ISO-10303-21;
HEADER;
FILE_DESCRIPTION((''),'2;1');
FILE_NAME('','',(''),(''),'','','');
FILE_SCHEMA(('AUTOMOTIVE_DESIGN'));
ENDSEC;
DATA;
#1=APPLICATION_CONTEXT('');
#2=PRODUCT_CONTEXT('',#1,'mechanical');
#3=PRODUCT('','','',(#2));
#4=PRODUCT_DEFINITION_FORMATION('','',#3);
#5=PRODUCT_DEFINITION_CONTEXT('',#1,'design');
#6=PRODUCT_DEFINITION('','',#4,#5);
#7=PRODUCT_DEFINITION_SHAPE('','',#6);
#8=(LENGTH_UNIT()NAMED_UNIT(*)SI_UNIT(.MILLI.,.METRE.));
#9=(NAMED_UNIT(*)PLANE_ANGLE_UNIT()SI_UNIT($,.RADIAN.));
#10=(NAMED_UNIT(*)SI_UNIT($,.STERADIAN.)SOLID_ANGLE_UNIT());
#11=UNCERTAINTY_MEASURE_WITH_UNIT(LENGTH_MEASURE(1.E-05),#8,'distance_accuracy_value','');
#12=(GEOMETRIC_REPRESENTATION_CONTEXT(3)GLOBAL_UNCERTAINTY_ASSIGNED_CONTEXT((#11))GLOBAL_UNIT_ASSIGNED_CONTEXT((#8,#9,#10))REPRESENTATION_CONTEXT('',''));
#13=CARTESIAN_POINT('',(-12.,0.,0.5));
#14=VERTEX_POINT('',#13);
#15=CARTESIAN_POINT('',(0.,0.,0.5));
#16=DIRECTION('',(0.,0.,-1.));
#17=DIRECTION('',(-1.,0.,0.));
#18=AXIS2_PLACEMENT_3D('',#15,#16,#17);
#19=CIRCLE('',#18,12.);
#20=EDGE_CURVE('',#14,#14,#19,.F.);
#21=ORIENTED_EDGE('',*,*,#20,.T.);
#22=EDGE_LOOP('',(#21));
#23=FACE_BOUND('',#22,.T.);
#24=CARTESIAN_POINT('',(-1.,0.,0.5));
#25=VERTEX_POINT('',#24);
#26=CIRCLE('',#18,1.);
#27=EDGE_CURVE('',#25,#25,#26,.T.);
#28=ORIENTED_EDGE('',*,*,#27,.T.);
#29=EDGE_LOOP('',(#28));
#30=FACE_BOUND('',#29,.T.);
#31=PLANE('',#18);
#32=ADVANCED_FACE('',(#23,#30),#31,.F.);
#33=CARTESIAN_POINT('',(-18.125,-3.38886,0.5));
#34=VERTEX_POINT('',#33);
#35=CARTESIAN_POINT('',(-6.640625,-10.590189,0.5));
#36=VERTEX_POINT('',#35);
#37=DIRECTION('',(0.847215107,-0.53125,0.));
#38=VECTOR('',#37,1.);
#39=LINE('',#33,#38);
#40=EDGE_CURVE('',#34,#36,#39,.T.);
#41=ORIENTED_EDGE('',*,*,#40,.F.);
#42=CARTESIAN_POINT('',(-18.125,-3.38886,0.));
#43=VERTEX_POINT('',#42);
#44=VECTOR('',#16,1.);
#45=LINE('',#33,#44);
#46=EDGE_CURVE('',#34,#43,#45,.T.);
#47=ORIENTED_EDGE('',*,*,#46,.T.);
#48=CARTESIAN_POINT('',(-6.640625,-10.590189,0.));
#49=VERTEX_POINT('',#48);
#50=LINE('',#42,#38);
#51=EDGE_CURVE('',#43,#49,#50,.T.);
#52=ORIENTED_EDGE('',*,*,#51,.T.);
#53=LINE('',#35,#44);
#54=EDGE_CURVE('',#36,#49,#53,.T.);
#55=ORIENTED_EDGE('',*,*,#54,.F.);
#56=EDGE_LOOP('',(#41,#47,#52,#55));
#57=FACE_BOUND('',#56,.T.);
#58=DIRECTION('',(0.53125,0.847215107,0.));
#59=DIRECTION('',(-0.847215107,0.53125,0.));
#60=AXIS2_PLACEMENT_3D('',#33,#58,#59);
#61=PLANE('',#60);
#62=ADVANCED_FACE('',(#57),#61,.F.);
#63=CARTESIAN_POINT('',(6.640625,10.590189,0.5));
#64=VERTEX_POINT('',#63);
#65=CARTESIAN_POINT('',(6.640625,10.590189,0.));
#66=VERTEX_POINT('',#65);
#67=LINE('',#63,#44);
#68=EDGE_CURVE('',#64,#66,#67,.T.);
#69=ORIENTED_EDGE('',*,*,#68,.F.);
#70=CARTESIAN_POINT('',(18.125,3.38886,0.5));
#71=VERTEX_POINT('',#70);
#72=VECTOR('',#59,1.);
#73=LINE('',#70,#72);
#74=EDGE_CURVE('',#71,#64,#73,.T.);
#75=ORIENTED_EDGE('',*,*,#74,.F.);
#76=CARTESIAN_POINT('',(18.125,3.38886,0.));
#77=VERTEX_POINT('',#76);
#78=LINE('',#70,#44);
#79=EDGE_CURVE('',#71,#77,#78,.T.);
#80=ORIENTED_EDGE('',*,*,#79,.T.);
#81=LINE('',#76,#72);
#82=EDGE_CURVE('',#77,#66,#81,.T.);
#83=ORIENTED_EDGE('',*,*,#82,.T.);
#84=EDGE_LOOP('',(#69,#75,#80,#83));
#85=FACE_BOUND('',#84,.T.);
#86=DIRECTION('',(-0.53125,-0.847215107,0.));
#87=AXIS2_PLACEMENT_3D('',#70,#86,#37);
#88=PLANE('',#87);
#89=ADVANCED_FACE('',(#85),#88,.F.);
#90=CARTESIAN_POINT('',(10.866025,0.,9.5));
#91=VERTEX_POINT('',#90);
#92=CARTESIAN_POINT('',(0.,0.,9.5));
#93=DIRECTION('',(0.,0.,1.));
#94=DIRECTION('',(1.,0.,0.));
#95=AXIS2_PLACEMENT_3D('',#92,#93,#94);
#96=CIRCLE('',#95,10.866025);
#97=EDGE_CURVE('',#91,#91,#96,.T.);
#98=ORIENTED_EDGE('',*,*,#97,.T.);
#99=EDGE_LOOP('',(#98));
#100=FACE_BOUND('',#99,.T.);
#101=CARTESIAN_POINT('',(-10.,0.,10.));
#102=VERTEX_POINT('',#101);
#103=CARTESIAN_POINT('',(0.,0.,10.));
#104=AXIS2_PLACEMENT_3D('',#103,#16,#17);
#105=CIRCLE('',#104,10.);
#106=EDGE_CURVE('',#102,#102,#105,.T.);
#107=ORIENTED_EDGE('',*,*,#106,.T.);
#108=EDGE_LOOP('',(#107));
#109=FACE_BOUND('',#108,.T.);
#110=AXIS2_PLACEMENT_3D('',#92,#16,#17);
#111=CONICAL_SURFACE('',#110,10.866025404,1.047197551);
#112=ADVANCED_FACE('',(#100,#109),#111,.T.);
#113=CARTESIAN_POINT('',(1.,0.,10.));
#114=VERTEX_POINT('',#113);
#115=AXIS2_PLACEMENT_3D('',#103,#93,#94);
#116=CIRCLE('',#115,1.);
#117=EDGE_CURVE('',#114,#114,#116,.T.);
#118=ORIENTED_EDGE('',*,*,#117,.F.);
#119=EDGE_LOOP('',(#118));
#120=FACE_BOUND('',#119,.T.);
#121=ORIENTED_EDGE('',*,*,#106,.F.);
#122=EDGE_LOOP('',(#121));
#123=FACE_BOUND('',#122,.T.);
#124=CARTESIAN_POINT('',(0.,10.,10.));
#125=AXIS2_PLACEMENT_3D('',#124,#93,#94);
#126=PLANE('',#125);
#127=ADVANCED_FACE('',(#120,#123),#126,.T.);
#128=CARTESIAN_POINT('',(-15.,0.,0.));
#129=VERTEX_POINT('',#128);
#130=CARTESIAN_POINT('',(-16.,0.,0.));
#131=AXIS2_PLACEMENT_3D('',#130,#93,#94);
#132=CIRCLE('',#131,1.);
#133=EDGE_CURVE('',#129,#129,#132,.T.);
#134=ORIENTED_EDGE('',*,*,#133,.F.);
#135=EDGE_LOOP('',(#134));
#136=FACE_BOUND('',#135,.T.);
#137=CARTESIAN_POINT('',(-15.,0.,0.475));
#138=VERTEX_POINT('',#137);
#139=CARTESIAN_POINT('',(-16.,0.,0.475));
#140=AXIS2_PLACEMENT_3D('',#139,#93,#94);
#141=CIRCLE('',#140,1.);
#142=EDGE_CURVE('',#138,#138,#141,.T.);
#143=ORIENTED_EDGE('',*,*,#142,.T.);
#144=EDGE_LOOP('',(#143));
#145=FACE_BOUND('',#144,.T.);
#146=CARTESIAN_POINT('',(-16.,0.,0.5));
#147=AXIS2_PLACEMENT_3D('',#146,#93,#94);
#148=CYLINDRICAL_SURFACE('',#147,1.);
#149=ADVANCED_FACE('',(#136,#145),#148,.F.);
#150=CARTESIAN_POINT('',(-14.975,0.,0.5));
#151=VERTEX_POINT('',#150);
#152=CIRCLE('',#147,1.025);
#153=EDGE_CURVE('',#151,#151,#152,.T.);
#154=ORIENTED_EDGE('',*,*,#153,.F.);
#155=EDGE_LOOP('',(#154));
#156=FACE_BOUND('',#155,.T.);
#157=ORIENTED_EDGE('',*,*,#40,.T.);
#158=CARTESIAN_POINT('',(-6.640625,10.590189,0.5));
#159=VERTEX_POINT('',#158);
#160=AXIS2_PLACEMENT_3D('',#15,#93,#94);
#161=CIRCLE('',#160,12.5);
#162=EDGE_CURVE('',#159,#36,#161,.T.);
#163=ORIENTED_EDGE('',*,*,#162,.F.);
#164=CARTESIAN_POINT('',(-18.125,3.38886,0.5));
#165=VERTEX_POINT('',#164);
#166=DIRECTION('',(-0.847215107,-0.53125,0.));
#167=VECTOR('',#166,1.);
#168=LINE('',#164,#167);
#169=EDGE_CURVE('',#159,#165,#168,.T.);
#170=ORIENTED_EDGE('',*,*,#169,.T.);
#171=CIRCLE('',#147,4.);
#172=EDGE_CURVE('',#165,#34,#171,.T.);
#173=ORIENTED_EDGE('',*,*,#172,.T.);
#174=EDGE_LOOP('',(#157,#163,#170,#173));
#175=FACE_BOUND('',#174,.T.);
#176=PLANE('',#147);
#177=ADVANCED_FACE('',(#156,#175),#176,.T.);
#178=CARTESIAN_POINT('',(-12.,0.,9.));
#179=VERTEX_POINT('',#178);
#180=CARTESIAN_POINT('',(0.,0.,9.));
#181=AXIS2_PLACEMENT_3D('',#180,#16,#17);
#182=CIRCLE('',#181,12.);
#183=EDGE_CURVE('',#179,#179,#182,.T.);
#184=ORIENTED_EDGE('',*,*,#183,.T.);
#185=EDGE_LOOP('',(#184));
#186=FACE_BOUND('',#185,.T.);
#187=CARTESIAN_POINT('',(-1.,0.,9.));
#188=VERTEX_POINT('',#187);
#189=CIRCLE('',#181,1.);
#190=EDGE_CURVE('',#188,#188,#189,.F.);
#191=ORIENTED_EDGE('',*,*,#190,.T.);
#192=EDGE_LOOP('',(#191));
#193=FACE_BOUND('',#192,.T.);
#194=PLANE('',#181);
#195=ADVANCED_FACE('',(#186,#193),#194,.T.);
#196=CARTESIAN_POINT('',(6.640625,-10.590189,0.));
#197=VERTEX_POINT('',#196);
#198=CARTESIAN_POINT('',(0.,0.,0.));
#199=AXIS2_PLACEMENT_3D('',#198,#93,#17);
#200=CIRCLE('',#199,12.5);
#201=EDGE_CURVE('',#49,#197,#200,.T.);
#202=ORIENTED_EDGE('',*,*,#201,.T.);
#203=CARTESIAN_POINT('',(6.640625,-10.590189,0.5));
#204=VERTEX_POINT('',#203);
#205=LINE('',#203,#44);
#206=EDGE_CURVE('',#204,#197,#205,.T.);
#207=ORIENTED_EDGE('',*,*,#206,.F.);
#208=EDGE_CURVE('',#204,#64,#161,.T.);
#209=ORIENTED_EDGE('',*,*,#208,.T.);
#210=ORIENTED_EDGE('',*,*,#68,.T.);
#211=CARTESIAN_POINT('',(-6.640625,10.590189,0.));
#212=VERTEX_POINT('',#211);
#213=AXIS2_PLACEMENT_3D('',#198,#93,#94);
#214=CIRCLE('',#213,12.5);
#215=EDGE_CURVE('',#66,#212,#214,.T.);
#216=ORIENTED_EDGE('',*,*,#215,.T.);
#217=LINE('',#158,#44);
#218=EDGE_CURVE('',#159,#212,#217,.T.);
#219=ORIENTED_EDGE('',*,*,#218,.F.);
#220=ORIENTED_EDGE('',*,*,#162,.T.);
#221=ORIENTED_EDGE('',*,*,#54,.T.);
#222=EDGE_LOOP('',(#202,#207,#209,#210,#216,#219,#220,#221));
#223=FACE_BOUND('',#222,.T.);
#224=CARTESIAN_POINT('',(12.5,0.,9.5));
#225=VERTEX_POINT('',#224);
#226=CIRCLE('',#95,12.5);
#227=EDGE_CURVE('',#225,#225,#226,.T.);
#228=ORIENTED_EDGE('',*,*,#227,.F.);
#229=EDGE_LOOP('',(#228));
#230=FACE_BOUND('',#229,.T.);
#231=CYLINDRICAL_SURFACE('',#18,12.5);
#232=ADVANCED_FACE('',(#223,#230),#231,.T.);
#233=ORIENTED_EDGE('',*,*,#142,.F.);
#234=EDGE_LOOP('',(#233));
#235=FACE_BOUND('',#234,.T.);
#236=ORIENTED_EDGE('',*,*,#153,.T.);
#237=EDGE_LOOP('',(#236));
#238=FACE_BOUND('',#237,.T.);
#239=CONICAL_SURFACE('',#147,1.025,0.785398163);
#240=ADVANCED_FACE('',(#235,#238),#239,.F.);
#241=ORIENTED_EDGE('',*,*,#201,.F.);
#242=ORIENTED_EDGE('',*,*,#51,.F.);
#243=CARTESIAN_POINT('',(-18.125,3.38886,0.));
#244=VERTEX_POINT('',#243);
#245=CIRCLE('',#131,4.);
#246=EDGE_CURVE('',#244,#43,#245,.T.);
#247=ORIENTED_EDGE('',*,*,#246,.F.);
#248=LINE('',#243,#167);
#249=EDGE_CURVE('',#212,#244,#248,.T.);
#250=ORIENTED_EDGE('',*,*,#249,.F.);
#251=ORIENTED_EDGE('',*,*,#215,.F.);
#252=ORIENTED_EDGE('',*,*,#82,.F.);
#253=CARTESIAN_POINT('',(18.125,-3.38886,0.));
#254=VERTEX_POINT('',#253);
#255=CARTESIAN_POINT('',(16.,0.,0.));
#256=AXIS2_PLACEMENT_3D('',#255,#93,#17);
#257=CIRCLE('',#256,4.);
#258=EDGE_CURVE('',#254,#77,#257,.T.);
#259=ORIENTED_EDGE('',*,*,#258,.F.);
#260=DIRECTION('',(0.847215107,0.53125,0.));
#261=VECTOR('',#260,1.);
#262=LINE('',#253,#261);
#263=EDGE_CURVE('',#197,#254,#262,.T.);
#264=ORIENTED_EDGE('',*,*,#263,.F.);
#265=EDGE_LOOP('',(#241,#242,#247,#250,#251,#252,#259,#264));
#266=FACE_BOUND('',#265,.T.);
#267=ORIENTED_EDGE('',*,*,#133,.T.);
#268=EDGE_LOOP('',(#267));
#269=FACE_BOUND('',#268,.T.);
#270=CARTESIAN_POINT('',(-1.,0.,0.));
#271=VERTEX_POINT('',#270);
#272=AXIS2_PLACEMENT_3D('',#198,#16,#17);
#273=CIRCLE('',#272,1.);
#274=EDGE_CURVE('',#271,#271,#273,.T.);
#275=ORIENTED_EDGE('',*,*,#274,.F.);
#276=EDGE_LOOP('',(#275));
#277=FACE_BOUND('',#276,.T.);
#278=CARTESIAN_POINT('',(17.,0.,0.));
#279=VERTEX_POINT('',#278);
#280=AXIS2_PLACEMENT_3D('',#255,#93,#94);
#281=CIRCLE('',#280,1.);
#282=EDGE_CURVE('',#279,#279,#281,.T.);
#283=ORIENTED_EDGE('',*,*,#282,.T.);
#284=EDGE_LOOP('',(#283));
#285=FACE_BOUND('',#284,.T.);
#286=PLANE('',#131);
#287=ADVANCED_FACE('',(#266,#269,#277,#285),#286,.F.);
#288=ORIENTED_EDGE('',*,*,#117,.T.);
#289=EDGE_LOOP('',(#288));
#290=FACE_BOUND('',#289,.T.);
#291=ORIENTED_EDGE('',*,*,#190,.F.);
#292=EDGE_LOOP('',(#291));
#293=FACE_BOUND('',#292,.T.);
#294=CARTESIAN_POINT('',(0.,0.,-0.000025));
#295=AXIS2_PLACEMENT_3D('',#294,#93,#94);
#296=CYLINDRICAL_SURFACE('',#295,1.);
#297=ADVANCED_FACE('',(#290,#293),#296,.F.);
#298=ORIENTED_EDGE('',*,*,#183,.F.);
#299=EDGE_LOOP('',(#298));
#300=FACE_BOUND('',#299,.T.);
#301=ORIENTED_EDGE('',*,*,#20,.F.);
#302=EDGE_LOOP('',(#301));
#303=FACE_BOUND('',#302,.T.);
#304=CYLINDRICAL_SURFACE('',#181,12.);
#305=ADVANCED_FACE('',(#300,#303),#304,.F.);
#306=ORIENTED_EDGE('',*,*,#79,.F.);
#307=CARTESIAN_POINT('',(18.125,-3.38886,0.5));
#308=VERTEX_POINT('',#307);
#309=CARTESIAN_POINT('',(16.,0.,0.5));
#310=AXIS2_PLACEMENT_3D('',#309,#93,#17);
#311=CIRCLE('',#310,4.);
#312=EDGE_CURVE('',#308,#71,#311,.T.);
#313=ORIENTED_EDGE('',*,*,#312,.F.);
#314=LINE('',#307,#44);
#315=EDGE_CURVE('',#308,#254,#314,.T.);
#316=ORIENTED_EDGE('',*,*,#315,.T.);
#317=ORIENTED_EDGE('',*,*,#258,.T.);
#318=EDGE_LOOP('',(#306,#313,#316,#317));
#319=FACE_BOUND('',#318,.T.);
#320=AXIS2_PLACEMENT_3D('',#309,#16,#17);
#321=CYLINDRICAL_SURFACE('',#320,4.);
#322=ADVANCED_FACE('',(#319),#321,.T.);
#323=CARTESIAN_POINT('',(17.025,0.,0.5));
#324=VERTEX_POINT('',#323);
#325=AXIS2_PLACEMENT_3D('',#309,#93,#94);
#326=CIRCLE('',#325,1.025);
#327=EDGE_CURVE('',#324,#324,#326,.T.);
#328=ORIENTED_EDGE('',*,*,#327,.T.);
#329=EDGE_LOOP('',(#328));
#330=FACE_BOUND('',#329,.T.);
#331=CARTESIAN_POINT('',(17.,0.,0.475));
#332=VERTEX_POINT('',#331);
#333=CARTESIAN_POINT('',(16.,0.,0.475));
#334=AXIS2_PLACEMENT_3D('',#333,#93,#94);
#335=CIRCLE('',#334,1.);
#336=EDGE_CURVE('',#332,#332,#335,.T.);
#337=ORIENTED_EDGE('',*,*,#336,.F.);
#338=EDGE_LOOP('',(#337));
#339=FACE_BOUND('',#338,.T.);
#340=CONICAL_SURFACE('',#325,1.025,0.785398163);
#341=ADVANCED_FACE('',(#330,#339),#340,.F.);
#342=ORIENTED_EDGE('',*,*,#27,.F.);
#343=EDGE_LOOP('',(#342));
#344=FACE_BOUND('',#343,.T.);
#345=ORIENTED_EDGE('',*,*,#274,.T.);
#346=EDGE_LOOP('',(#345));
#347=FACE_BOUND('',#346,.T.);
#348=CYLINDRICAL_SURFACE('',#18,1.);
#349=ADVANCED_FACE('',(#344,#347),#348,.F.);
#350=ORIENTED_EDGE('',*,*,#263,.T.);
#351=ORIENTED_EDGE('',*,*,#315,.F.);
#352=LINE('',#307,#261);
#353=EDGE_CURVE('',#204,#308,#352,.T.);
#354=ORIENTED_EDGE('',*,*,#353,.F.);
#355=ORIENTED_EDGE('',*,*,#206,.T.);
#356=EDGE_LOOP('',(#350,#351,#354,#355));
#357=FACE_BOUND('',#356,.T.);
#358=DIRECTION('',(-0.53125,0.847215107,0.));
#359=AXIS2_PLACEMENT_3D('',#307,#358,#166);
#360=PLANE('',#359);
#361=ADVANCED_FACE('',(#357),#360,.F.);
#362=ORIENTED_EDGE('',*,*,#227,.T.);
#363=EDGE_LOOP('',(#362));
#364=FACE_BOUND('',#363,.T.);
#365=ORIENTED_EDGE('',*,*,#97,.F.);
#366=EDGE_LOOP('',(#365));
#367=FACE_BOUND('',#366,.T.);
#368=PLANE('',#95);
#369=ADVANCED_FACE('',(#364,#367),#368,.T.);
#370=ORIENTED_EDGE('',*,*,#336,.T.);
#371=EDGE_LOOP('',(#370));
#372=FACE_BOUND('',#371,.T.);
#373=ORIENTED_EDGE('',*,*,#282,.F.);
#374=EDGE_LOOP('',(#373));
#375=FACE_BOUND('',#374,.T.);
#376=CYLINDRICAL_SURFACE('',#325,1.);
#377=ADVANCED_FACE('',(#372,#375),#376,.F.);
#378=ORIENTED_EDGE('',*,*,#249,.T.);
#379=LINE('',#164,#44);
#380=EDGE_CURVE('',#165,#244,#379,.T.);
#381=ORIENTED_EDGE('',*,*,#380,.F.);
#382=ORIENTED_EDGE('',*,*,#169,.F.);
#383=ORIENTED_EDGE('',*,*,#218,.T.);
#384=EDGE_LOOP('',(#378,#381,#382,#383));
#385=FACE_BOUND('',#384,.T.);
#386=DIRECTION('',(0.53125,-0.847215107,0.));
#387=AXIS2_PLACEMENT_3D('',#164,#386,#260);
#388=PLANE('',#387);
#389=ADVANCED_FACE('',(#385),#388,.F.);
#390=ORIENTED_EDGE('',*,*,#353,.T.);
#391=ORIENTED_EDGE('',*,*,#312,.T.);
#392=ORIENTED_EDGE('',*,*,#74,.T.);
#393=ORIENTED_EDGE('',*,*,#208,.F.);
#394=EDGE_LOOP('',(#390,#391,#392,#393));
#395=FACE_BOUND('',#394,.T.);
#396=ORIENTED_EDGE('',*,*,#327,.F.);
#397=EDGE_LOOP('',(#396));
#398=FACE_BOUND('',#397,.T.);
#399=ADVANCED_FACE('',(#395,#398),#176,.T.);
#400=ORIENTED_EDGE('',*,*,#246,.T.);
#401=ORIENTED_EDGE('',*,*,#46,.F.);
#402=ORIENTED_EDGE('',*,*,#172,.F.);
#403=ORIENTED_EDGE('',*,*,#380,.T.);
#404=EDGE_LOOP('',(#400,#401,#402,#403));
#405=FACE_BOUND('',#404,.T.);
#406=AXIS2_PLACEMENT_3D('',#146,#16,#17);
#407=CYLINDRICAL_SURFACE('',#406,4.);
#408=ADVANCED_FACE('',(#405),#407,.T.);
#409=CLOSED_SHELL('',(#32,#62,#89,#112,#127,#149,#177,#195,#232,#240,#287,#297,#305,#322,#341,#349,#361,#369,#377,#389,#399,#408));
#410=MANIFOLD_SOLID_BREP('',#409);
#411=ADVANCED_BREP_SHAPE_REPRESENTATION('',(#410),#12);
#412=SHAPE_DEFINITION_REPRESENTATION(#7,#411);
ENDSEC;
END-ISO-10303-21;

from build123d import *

# Parameters (mm, degrees)
BOSS_EXTRU_1_DEPTH         = 0.5
ESQUISSE2_R                = 12.5
BOSS_EXTRU_2_DEPTH         = 9
ESQUISSE4_R                = 1
ENL_V_MAT_EXTRU_1_DEPTH    = 26.617376915
TROU_TARAUD_M21_AT_2_COUNT = 2
TROU_TARAUD_M21_AT_2_PITCH = 32
ESQUISSE7_R                = 12
ENL_V_MAT_EXTRU_2_DEPTH    = 9
ESQUISSE8_R                = 12
ESQUISSE8_R_2              = 1
BOSS_EXTRU_3_DEPTH         = 0.5


with BuildPart() as part:
    # Esquisse1 → Boss.-Extru.1 (new body)
    with BuildSketch(Plane.XY):
        with BuildLine():
            Line((-18.125, 3.388860428), (-6.640625, 10.590188837))
            ThreePointArc((-6.640625, 10.590188837), (0, 12.5), (6.640625, 10.590188837))
            Line((6.640625, 10.590188837), (18.125, 3.388860428))
            ThreePointArc((18.125, 3.388860428), (20, 0), (18.125, -3.388860428))
            Line((18.125, -3.388860428), (6.640625, -10.590188837))
            ThreePointArc((6.640625, -10.590188837), (0, -12.5), (-6.640625, -10.590188837))
            Line((-6.640625, -10.590188837), (-18.125, -3.388860428))
            ThreePointArc((-18.125, -3.388860428), (-20, 0), (-18.125, 3.388860428))
        make_face()
    extrude(amount=BOSS_EXTRU_1_DEPTH)

    # Esquisse2 → Boss.-Extru.2 (add)
    with BuildSketch(Plane.XY.offset(0.5)):
        with Locations(Location((0, 0, 0), (0, 0, 122.089951256))):
            Circle(ESQUISSE2_R)
    extrude(amount=BOSS_EXTRU_2_DEPTH)

    # Esquisse3 → Révolution1 (revolve)
    with BuildSketch(Plane(origin=(0, 0, 0), x_dir=(0, 0, -1), z_dir=(1, 0, 0)), mode=Mode.PRIVATE) as r_volution1_sk:
        Polygon((-9.5, 10.866025404), (-10, 10), (-10, 0), (-9.5, 0), align=None)
    revolve(r_volution1_sk.sketch.rotate(Axis((0, 0, 2.055193474), (0, 0, 1)), 90), axis=Axis((0, 0, 2.055193474), (0, 0, 1)))

    # Esquisse4 → Enlèv. mat.-Extru.1 (cut, through all)
    with BuildSketch(Plane.XY.offset(10)):
        Circle(ESQUISSE4_R)
    extrude(amount=-ENL_V_MAT_EXTRU_1_DEPTH, mode=Mode.SUBTRACT)

    # Esquisse6 → Trou taraudé M21 (revolve, cut)
    with BuildSketch(Plane(origin=(16, 0, 0.5), x_dir=(0, -1, 0), z_dir=(1, 0, 0))):
        Polygon((0, 0), (0, 6.480688495), (0.8, 6), (0.8, 4), (1, 4), (1, 0.025), (1.025, 0), align=None)
    trou_taraud_m21 = revolve(axis=Axis((16, 0, 6.85), (0, 0, -1)), mode=Mode.SUBTRACT)

    # Trou taraudé M21 at 2: Trou taraudé M21 ×2
    with Locations(*[(-i * TROU_TARAUD_M21_AT_2_PITCH, 0, 0) for i in range(1, TROU_TARAUD_M21_AT_2_COUNT)]):
        add(trou_taraud_m21, mode=Mode.SUBTRACT)

    # Esquisse7 → Enlèv. mat.-Extru.2 (cut)
    with BuildSketch(Plane(origin=(0, 0, 0), x_dir=(-1, 0, 0), z_dir=(0, 0, -1))):
        Circle(ESQUISSE7_R)
    extrude(amount=-ENL_V_MAT_EXTRU_2_DEPTH, mode=Mode.SUBTRACT)

    # Esquisse8 → Boss.-Extru.3 (add)
    with BuildSketch(Plane(origin=(0, 0, 0), x_dir=(-1, 0, 0), z_dir=(0, 0, -1))):
        Circle(ESQUISSE8_R)
        with Locations(Location((0, 0, 0), (0, 0, 180))):
            Circle(ESQUISSE8_R_2, mode=Mode.SUBTRACT)
    extrude(amount=-BOSS_EXTRU_3_DEPTH)


solid = part.part
